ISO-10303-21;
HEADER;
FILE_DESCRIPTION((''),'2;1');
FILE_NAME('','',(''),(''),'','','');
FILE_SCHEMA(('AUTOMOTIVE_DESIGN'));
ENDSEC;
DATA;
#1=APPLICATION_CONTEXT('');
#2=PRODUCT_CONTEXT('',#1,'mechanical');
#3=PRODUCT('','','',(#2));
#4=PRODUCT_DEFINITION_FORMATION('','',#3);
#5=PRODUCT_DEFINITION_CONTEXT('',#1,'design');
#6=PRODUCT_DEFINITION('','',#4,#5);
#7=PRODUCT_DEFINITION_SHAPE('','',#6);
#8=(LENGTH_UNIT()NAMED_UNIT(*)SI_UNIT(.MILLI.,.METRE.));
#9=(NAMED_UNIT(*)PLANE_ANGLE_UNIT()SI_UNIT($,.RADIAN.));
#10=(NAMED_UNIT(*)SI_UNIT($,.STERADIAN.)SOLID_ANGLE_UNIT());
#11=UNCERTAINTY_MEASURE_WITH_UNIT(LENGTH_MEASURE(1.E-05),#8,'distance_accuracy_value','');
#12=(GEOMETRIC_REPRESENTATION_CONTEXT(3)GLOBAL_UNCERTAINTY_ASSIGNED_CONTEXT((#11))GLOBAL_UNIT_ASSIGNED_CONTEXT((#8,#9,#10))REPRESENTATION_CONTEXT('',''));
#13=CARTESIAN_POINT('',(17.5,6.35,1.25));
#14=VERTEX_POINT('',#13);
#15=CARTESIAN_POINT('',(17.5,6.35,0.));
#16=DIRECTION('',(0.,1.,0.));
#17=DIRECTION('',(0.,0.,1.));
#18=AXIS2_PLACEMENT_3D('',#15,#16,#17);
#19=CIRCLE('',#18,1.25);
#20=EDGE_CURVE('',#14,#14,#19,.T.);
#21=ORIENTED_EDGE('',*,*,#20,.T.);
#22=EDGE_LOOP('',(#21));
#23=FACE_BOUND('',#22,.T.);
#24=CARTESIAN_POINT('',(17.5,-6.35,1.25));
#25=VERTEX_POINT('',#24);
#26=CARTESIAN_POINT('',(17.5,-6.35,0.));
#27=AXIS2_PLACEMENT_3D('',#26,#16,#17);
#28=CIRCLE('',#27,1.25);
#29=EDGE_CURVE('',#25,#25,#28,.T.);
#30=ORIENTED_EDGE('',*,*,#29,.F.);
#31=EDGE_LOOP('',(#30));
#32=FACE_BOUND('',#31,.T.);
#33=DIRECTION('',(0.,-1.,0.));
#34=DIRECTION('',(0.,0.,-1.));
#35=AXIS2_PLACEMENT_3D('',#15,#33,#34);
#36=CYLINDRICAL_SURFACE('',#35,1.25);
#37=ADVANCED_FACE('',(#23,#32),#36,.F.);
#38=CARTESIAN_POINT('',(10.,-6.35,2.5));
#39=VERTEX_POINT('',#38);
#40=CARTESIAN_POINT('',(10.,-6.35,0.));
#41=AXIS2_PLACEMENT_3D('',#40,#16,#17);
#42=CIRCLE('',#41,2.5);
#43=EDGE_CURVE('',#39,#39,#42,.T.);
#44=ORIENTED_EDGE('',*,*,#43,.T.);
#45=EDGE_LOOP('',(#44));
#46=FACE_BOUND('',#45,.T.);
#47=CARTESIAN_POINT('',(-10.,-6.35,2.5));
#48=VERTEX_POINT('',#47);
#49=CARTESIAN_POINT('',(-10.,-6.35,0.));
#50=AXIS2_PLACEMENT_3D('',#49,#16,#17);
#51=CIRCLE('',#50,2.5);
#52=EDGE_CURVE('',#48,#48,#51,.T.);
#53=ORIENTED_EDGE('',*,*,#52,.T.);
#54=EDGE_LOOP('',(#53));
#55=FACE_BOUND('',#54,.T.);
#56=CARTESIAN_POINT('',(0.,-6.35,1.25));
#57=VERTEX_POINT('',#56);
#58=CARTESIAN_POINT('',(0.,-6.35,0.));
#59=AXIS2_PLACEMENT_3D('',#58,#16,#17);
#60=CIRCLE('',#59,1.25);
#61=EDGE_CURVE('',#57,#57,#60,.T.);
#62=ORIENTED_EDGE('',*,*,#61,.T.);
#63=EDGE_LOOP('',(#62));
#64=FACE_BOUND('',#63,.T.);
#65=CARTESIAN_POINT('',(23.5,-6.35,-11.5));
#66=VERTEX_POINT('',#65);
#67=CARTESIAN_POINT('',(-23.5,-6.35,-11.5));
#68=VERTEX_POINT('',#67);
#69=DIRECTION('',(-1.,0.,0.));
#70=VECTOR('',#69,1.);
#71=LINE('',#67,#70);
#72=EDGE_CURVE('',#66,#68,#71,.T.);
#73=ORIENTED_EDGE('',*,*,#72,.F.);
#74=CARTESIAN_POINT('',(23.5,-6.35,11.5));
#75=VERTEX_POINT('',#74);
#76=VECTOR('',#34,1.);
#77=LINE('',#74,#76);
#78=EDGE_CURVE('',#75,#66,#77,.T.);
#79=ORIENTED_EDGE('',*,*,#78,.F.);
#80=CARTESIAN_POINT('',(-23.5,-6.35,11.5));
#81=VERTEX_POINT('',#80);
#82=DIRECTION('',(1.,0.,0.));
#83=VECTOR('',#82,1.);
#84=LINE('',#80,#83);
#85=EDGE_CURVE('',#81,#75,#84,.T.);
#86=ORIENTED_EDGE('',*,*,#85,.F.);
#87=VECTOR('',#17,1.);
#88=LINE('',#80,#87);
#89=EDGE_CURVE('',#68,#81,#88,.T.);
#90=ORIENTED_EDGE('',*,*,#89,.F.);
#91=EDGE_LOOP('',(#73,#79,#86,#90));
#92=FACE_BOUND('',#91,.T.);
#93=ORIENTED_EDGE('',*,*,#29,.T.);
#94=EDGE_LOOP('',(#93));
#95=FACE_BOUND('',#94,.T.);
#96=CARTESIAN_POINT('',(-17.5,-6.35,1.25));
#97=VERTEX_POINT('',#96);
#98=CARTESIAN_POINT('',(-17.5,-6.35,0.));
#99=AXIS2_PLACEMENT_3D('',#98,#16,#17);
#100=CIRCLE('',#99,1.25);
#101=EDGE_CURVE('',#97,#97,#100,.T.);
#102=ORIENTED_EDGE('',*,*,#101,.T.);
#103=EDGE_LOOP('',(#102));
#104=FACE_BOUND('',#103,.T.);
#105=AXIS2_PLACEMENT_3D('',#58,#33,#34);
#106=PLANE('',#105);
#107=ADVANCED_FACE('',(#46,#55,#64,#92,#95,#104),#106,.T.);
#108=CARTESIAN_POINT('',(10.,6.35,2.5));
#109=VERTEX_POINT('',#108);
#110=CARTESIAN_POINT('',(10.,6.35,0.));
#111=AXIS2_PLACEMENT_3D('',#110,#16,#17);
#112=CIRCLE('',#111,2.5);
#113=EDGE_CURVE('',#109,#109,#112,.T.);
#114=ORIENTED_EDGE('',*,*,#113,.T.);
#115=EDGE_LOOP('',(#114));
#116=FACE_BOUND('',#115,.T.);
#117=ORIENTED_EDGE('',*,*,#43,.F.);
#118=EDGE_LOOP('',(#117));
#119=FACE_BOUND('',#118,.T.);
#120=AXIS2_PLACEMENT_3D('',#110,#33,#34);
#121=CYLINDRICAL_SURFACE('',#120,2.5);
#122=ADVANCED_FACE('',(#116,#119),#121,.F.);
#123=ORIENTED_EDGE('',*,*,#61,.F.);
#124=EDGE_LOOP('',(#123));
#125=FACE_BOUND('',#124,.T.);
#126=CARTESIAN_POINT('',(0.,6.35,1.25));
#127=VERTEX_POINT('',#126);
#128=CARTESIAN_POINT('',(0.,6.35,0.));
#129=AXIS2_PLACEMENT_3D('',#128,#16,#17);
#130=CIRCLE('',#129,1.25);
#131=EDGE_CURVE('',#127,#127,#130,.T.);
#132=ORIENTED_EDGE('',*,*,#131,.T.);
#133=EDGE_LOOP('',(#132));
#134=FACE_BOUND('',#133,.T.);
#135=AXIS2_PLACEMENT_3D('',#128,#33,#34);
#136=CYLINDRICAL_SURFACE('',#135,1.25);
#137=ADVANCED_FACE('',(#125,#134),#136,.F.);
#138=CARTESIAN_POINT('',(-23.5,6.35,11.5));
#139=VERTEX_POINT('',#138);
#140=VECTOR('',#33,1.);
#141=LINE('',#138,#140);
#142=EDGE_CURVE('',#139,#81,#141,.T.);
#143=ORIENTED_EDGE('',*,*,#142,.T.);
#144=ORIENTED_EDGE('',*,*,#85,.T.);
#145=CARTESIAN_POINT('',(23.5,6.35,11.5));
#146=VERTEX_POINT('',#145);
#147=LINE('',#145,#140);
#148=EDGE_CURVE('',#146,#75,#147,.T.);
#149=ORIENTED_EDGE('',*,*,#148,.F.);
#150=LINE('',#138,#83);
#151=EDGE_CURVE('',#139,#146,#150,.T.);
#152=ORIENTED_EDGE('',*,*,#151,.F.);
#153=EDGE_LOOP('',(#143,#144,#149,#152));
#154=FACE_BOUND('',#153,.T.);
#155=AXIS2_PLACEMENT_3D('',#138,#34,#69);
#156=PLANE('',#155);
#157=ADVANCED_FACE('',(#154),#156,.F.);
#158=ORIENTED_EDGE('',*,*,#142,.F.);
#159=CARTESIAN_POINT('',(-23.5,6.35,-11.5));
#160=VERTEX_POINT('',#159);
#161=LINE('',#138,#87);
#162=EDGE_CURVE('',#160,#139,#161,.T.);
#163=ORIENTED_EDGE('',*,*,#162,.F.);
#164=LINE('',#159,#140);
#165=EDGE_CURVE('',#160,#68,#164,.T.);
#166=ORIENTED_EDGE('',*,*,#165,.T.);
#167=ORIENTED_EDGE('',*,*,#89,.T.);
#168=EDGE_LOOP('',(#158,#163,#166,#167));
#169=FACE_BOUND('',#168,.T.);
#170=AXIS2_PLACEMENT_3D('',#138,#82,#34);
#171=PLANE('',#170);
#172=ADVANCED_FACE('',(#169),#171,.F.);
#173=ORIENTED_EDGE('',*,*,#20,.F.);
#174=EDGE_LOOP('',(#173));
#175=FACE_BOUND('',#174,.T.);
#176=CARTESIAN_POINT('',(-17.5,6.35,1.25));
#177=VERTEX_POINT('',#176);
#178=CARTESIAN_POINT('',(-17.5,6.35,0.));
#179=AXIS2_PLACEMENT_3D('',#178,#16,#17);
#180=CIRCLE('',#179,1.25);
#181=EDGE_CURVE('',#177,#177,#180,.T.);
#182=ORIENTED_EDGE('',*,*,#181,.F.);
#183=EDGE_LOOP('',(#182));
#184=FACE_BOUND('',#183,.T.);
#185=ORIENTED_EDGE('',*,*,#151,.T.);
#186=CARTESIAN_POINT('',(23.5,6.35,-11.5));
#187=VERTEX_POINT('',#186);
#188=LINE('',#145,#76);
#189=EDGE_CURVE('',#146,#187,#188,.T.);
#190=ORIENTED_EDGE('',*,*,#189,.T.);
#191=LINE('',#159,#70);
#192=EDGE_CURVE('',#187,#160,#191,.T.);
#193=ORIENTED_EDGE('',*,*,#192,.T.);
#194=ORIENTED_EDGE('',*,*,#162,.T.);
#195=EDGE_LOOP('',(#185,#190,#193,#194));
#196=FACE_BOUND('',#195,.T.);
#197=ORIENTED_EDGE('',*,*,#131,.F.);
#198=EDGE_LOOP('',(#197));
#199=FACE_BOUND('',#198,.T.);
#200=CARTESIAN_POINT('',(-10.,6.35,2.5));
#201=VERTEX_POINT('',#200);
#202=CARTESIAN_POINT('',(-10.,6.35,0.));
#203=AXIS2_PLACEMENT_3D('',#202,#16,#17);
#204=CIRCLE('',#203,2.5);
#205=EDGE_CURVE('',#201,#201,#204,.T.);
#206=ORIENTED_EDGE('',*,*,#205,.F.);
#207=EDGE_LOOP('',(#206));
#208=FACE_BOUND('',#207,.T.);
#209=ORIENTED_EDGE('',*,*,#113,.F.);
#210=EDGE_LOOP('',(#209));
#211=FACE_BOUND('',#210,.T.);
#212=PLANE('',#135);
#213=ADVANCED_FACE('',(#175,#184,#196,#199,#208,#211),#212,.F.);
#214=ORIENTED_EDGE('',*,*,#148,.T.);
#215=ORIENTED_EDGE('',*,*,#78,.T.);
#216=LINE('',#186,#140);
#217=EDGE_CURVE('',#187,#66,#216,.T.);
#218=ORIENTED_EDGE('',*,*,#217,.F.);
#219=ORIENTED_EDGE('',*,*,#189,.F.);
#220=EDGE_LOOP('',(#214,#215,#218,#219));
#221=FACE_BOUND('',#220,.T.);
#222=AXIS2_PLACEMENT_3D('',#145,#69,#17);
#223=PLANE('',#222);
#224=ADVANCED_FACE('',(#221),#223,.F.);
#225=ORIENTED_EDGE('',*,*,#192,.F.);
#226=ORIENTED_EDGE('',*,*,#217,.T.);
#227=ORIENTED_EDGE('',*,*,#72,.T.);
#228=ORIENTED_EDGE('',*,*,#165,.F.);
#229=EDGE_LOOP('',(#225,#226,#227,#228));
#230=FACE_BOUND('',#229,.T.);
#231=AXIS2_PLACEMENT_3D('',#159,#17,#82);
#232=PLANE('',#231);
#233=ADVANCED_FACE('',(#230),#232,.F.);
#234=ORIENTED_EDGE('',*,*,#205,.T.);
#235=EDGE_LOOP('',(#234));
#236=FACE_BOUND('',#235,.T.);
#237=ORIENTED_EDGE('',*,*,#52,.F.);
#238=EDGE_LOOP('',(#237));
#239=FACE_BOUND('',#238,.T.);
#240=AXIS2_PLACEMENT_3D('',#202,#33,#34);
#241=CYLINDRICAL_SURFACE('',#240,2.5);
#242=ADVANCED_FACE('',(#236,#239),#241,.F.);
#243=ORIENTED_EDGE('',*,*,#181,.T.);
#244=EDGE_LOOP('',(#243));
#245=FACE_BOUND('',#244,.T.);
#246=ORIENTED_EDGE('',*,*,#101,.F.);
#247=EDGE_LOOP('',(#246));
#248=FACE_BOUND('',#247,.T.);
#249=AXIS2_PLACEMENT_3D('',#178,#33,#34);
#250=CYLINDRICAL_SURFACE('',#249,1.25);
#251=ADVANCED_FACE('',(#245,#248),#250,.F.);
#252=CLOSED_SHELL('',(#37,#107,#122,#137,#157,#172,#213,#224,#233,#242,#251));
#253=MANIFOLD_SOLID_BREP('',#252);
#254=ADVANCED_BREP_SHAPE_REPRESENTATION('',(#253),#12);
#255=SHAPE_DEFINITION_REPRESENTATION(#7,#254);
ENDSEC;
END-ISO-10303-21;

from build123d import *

# Parameters (mm, degrees)
SKETCH1_W           = 47
SKETCH1_H           = 23
SKETCH1_R           = 2.5
SKETCH1_R_2         = 1.25
BOSS_EXTRUDE1_DEPTH = 6.35


with BuildPart() as part:
    # Sketch1 → Boss-Extrude1 (new, symmetric)
    with BuildSketch(Plane(origin=(0, 0, 0), x_dir=(1, 0, 0), z_dir=(0, 1, 0))):
        Rectangle(SKETCH1_W, SKETCH1_H)
        with Locations(Location((-10, 0, 0), (0, 0, 270))):
            Circle(SKETCH1_R, mode=Mode.SUBTRACT)
        with Locations(Location((10, 0, 0), (0, 0, 270))):
            Circle(SKETCH1_R, mode=Mode.SUBTRACT)
        with Locations(Location((17.5, 0, 0), (0, 0, 270))):
            Circle(SKETCH1_R_2, mode=Mode.SUBTRACT)
        with Locations(Location((0, 0, 0), (0, 0, 270))):
            Circle(SKETCH1_R_2, mode=Mode.SUBTRACT)
        with Locations(Location((-17.5, 0, 0), (0, 0, 270))):
            Circle(SKETCH1_R_2, mode=Mode.SUBTRACT)
    extrude(amount=BOSS_EXTRUDE1_DEPTH, both=True)


solid = part.part
